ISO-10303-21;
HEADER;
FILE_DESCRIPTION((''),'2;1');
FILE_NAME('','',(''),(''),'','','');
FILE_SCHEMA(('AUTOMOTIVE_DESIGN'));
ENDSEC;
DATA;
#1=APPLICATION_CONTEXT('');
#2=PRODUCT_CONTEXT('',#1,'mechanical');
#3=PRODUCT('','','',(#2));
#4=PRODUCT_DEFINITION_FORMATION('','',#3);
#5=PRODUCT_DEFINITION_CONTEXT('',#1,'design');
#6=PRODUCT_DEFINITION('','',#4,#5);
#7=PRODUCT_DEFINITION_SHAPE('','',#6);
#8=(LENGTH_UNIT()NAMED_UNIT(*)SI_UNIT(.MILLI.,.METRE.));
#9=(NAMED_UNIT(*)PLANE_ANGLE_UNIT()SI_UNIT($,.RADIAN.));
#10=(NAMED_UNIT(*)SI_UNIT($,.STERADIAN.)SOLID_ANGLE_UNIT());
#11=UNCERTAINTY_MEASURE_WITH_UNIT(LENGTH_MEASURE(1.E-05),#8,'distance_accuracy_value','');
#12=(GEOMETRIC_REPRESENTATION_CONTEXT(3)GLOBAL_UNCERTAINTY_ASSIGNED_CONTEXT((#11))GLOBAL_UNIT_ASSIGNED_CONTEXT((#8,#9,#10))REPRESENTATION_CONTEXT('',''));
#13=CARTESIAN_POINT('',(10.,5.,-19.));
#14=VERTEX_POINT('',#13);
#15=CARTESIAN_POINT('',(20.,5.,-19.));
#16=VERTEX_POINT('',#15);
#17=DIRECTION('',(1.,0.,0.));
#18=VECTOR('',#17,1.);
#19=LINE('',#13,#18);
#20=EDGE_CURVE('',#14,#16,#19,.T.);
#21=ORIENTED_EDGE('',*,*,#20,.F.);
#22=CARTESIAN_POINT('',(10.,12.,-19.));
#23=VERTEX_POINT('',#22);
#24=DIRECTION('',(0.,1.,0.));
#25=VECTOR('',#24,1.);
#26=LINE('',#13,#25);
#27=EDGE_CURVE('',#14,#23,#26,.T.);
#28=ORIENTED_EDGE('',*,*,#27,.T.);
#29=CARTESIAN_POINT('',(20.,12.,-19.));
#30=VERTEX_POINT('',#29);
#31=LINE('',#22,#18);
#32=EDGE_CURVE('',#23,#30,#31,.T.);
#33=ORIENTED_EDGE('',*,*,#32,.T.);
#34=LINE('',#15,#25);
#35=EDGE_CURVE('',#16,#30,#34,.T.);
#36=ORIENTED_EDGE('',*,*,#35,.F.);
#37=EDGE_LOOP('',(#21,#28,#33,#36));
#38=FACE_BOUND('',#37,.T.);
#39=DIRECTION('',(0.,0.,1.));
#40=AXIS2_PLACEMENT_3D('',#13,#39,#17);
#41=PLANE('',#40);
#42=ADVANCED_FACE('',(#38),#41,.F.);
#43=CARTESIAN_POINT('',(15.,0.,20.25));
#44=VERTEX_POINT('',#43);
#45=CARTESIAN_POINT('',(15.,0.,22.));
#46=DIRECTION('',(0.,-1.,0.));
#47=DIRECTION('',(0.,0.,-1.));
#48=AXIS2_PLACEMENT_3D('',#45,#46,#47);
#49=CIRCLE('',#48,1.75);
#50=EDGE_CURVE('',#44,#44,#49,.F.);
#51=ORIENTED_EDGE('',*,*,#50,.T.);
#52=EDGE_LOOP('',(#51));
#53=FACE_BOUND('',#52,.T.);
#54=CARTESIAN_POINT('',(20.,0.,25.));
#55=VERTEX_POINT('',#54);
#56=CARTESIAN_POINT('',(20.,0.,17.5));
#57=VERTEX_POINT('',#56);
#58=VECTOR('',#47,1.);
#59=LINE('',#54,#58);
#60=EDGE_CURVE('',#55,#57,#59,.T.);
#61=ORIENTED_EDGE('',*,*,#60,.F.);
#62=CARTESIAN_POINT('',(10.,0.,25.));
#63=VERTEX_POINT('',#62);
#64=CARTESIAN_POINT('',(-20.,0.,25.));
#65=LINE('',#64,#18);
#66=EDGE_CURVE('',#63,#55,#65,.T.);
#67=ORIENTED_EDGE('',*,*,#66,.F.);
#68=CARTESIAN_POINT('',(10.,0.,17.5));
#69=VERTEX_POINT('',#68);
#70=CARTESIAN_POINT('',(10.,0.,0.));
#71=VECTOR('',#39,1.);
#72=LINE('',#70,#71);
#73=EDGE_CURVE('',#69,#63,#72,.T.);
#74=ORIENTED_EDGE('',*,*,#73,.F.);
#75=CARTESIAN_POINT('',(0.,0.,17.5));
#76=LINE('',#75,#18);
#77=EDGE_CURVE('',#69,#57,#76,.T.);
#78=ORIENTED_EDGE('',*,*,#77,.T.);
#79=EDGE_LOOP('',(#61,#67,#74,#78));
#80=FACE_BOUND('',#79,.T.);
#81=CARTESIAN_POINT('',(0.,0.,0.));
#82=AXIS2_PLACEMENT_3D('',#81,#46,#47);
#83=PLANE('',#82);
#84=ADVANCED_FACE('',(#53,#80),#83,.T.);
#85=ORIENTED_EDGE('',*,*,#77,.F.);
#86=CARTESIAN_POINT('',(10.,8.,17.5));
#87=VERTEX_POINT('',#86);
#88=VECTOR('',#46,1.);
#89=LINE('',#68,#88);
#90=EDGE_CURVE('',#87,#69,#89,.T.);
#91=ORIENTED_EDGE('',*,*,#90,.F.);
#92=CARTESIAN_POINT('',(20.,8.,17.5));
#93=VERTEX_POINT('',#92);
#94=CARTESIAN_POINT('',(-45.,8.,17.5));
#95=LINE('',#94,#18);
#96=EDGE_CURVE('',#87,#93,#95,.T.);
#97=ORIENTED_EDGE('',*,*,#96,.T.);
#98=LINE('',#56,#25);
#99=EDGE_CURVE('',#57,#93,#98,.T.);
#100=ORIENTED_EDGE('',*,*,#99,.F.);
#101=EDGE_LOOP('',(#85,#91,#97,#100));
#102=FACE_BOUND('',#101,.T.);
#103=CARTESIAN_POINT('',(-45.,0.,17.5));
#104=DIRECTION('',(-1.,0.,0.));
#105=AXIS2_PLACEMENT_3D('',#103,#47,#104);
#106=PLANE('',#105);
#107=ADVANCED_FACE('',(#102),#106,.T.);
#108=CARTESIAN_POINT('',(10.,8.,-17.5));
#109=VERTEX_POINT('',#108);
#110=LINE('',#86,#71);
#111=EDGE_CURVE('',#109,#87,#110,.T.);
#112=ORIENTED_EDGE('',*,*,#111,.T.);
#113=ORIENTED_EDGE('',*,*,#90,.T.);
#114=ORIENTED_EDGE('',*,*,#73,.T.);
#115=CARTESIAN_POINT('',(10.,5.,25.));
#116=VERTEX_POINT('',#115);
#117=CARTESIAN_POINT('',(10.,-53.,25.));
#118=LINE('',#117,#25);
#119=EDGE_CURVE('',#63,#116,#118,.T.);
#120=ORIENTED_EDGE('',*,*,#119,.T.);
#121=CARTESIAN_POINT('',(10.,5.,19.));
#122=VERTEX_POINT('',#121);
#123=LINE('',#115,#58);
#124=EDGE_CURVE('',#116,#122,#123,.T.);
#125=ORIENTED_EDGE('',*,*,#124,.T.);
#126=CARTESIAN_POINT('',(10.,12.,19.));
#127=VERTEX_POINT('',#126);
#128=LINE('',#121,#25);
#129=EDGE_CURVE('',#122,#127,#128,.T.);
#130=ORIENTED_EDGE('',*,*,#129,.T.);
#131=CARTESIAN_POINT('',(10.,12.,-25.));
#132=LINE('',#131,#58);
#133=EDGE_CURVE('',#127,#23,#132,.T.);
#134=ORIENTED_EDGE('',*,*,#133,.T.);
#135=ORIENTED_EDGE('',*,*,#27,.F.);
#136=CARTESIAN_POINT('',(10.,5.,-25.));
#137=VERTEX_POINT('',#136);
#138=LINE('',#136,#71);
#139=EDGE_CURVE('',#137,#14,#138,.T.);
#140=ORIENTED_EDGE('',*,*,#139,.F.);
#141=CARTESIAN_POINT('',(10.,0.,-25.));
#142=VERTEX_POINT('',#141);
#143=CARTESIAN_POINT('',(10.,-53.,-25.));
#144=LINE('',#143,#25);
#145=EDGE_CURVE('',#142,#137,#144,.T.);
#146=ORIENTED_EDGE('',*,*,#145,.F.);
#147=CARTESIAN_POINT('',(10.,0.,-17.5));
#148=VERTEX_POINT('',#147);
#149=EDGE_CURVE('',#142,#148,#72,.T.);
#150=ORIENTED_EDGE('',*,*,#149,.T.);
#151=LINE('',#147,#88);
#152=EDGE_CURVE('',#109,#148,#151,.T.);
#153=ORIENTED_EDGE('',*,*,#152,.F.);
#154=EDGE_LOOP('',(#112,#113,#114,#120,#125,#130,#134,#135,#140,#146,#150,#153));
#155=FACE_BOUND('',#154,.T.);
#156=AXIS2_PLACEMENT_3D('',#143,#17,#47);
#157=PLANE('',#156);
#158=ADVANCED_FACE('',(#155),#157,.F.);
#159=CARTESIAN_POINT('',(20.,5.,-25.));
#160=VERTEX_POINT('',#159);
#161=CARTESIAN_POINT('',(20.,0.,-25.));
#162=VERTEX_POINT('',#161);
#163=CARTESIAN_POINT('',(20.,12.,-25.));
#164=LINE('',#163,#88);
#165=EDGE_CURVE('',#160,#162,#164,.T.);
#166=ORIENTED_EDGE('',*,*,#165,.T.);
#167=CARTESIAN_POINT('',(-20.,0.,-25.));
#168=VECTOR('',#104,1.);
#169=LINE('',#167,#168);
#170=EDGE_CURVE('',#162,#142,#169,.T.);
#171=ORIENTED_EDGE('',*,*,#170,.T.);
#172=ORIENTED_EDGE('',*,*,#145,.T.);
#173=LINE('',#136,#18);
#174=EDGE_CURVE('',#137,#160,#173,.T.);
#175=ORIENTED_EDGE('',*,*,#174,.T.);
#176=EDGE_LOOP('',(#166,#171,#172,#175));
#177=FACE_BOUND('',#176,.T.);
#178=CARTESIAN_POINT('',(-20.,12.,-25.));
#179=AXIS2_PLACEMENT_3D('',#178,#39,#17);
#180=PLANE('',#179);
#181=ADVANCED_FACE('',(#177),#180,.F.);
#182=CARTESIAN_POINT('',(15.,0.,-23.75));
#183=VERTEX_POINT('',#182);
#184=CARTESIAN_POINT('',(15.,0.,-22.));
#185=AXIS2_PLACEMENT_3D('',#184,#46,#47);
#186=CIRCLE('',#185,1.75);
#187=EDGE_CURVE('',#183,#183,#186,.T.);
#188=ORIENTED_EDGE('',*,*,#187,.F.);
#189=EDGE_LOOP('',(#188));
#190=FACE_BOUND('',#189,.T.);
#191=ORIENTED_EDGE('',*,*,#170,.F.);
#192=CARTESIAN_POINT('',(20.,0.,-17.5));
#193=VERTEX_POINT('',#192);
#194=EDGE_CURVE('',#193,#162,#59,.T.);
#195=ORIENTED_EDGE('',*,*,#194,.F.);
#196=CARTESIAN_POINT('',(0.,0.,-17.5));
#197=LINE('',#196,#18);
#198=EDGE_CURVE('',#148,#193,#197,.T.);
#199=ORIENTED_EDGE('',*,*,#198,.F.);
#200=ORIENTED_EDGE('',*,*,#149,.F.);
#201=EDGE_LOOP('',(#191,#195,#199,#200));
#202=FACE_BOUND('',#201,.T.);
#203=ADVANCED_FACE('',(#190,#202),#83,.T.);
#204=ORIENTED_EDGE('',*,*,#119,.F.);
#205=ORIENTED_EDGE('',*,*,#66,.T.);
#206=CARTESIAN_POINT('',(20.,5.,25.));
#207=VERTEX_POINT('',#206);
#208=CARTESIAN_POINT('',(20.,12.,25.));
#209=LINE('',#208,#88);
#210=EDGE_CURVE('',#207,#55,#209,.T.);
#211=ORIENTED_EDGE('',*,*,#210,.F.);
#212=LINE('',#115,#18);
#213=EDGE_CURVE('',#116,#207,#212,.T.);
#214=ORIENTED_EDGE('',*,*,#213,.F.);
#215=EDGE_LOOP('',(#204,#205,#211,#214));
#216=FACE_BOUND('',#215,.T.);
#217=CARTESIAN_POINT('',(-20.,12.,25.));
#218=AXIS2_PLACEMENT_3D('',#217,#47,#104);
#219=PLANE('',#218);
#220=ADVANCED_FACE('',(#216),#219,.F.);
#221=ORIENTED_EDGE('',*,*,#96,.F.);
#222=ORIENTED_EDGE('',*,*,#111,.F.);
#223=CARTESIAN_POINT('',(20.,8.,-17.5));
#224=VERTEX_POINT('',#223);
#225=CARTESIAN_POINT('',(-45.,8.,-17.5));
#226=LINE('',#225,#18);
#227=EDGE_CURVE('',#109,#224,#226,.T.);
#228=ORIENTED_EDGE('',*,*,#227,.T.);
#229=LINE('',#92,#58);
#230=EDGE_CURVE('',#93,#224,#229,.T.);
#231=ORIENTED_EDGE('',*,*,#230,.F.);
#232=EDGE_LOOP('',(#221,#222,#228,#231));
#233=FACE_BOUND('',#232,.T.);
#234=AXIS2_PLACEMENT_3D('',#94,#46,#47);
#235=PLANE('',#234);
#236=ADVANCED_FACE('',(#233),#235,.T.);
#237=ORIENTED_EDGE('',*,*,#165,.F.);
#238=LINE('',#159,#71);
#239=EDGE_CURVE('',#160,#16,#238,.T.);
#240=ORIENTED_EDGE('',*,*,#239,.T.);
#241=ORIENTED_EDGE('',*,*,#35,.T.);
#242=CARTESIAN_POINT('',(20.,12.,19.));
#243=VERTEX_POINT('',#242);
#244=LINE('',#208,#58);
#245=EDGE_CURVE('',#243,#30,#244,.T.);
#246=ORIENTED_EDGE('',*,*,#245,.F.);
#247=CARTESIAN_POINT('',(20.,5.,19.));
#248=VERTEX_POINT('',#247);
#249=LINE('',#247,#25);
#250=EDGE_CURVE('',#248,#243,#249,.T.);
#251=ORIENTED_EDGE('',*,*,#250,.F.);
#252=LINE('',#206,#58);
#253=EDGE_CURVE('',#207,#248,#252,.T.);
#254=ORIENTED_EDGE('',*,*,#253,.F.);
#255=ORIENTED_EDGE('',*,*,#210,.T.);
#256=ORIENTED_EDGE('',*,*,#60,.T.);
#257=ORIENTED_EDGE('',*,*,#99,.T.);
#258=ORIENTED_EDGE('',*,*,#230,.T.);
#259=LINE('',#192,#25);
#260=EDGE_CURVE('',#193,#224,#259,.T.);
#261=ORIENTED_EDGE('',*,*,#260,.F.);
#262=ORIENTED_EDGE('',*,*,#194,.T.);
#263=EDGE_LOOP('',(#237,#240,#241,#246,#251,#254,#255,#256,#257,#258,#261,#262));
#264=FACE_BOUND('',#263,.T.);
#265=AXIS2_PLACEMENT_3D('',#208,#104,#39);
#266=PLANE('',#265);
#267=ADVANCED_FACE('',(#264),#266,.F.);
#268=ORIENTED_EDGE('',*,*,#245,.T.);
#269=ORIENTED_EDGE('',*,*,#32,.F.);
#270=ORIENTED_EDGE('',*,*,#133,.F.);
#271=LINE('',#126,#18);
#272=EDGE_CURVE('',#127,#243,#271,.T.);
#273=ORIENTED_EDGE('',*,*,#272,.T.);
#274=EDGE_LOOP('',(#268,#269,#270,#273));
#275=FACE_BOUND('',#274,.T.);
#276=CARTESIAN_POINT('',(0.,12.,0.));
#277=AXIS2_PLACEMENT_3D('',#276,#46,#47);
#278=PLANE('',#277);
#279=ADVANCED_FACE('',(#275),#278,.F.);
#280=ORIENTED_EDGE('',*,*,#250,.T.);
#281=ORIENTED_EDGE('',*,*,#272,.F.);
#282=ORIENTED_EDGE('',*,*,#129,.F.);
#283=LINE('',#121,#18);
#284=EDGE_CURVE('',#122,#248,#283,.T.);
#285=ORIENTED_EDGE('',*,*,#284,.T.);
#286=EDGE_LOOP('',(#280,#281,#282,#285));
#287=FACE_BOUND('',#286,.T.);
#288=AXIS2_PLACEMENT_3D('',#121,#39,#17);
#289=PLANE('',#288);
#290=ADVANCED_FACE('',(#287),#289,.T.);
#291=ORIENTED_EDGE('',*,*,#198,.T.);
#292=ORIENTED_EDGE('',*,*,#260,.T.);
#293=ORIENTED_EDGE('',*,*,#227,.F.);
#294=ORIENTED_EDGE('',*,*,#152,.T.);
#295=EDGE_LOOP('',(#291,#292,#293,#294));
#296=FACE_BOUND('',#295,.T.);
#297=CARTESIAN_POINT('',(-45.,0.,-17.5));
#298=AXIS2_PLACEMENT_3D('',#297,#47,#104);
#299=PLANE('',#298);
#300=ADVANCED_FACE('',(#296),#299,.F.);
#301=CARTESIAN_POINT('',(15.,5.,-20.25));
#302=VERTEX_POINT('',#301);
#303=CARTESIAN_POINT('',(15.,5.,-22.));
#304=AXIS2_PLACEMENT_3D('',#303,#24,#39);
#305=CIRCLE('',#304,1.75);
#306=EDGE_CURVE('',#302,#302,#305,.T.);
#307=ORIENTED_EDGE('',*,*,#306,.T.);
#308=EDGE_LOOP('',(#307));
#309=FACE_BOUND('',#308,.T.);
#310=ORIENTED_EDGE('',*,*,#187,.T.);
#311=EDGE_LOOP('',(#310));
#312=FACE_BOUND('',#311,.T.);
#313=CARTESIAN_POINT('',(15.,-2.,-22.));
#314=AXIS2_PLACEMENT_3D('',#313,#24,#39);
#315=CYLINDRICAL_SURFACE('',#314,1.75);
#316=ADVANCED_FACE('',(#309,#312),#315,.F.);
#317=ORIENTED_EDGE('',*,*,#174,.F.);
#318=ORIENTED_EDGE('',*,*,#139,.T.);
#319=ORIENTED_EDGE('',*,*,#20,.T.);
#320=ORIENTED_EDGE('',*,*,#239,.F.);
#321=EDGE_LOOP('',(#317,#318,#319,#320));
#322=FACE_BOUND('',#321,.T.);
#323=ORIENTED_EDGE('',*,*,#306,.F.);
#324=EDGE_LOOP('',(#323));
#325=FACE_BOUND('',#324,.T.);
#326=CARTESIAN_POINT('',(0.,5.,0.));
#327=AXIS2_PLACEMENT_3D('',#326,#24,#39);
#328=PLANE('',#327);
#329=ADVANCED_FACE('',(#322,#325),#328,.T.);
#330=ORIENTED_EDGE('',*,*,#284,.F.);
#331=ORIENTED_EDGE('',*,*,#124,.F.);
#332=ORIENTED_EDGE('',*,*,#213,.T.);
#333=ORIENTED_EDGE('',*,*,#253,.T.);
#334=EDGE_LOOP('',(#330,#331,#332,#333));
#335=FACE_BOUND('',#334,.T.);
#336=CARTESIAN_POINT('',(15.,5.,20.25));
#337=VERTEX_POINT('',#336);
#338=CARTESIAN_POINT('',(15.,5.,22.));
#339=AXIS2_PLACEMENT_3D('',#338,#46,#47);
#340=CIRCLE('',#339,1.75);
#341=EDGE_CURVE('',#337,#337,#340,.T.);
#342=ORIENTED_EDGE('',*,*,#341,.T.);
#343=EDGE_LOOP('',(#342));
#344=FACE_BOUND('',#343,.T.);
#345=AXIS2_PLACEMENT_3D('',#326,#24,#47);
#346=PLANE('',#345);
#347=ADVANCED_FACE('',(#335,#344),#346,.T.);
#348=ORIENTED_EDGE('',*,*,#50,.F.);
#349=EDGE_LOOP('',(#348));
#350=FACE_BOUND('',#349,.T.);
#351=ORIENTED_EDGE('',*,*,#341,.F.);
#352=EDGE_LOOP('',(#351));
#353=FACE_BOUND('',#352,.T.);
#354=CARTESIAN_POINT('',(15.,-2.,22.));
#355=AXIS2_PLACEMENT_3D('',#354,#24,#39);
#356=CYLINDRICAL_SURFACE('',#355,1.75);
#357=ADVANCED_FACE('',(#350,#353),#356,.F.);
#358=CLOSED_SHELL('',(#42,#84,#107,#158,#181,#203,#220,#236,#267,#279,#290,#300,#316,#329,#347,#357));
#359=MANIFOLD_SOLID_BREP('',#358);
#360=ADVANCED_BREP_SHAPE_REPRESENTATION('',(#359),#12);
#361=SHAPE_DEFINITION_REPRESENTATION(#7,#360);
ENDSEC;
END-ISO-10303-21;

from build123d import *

# Parameters (mm, degrees)
CROQUIS1_W              = 40
CROQUIS1_H              = 50
SALIENTE_EXTRUIR1_DEPTH = 12
CROQUIS2_W              = 35
CROQUIS2_H              = 8
CORTAR_EXTRUIR1_DEPTH   = 65
CROQUIS3_W              = 30
CROQUIS3_H              = 50
CORTAR_EXTRUIR2_DEPTH   = 65
CROQUIS4_W              = 10
CROQUIS4_H              = 6
CORTAR_EXTRUIR3_DEPTH   = 7
CROQUIS5_R              = 1.75
CORTAR_EXTRUIR4_DEPTH   = 7


with BuildPart() as part:
    # Croquis1 → Saliente-Extruir1 (new body)
    with BuildSketch(Plane(origin=(0, 0, 0), x_dir=(1, 0, 0), z_dir=(0, 1, 0))):
        Rectangle(CROQUIS1_W, CROQUIS1_H)
    extrude(amount=SALIENTE_EXTRUIR1_DEPTH)

    # Croquis2 → Cortar-Extruir1 (cut)
    with BuildSketch(Plane(origin=(20, 0, 0), x_dir=(0, 0, -1), z_dir=(1, 0, 0))):
        with Locations((0, 4)):
            Rectangle(CROQUIS2_W, CROQUIS2_H)
    extrude(amount=-CORTAR_EXTRUIR1_DEPTH, mode=Mode.SUBTRACT)

    # Croquis3 → Cortar-Extruir2 (cut)
    with BuildSketch(Plane(origin=(0, 12, 0), x_dir=(1, 0, 0), z_dir=(0, 1, 0))):
        with Locations((-5, 0)):
            Rectangle(CROQUIS3_W, CROQUIS3_H)
    extrude(amount=-CORTAR_EXTRUIR2_DEPTH, mode=Mode.SUBTRACT)

    # Croquis4 → Cortar-Extruir3 (cut)
    with BuildSketch(Plane(origin=(0, 12, 0), x_dir=(1, 0, 0), z_dir=(0, 1, 0))):
        with Locations((15, 22)):
            Rectangle(CROQUIS4_W, CROQUIS4_H)
    cortar_extruir3 = extrude(amount=-CORTAR_EXTRUIR3_DEPTH, mode=Mode.SUBTRACT)

    # Simetría1: Cortar-Extruir3 across plane
    add(cortar_extruir3.mirror(Plane.XY), mode=Mode.SUBTRACT)

    # Croquis5 → Cortar-Extruir4 (cut)
    with BuildSketch(Plane(origin=(0, 5, 0), x_dir=(1, 0, 0), z_dir=(0, 1, 0))):
        with Locations(Location((15, 22, 0), (0, 0, 270))):
            Circle(CROQUIS5_R)
    cortar_extruir4 = extrude(amount=-CORTAR_EXTRUIR4_DEPTH, mode=Mode.SUBTRACT)

    # Simetría2: Cortar-Extruir4 across plane
    add(cortar_extruir4.mirror(Plane.XY), mode=Mode.SUBTRACT)


solid = part.part
